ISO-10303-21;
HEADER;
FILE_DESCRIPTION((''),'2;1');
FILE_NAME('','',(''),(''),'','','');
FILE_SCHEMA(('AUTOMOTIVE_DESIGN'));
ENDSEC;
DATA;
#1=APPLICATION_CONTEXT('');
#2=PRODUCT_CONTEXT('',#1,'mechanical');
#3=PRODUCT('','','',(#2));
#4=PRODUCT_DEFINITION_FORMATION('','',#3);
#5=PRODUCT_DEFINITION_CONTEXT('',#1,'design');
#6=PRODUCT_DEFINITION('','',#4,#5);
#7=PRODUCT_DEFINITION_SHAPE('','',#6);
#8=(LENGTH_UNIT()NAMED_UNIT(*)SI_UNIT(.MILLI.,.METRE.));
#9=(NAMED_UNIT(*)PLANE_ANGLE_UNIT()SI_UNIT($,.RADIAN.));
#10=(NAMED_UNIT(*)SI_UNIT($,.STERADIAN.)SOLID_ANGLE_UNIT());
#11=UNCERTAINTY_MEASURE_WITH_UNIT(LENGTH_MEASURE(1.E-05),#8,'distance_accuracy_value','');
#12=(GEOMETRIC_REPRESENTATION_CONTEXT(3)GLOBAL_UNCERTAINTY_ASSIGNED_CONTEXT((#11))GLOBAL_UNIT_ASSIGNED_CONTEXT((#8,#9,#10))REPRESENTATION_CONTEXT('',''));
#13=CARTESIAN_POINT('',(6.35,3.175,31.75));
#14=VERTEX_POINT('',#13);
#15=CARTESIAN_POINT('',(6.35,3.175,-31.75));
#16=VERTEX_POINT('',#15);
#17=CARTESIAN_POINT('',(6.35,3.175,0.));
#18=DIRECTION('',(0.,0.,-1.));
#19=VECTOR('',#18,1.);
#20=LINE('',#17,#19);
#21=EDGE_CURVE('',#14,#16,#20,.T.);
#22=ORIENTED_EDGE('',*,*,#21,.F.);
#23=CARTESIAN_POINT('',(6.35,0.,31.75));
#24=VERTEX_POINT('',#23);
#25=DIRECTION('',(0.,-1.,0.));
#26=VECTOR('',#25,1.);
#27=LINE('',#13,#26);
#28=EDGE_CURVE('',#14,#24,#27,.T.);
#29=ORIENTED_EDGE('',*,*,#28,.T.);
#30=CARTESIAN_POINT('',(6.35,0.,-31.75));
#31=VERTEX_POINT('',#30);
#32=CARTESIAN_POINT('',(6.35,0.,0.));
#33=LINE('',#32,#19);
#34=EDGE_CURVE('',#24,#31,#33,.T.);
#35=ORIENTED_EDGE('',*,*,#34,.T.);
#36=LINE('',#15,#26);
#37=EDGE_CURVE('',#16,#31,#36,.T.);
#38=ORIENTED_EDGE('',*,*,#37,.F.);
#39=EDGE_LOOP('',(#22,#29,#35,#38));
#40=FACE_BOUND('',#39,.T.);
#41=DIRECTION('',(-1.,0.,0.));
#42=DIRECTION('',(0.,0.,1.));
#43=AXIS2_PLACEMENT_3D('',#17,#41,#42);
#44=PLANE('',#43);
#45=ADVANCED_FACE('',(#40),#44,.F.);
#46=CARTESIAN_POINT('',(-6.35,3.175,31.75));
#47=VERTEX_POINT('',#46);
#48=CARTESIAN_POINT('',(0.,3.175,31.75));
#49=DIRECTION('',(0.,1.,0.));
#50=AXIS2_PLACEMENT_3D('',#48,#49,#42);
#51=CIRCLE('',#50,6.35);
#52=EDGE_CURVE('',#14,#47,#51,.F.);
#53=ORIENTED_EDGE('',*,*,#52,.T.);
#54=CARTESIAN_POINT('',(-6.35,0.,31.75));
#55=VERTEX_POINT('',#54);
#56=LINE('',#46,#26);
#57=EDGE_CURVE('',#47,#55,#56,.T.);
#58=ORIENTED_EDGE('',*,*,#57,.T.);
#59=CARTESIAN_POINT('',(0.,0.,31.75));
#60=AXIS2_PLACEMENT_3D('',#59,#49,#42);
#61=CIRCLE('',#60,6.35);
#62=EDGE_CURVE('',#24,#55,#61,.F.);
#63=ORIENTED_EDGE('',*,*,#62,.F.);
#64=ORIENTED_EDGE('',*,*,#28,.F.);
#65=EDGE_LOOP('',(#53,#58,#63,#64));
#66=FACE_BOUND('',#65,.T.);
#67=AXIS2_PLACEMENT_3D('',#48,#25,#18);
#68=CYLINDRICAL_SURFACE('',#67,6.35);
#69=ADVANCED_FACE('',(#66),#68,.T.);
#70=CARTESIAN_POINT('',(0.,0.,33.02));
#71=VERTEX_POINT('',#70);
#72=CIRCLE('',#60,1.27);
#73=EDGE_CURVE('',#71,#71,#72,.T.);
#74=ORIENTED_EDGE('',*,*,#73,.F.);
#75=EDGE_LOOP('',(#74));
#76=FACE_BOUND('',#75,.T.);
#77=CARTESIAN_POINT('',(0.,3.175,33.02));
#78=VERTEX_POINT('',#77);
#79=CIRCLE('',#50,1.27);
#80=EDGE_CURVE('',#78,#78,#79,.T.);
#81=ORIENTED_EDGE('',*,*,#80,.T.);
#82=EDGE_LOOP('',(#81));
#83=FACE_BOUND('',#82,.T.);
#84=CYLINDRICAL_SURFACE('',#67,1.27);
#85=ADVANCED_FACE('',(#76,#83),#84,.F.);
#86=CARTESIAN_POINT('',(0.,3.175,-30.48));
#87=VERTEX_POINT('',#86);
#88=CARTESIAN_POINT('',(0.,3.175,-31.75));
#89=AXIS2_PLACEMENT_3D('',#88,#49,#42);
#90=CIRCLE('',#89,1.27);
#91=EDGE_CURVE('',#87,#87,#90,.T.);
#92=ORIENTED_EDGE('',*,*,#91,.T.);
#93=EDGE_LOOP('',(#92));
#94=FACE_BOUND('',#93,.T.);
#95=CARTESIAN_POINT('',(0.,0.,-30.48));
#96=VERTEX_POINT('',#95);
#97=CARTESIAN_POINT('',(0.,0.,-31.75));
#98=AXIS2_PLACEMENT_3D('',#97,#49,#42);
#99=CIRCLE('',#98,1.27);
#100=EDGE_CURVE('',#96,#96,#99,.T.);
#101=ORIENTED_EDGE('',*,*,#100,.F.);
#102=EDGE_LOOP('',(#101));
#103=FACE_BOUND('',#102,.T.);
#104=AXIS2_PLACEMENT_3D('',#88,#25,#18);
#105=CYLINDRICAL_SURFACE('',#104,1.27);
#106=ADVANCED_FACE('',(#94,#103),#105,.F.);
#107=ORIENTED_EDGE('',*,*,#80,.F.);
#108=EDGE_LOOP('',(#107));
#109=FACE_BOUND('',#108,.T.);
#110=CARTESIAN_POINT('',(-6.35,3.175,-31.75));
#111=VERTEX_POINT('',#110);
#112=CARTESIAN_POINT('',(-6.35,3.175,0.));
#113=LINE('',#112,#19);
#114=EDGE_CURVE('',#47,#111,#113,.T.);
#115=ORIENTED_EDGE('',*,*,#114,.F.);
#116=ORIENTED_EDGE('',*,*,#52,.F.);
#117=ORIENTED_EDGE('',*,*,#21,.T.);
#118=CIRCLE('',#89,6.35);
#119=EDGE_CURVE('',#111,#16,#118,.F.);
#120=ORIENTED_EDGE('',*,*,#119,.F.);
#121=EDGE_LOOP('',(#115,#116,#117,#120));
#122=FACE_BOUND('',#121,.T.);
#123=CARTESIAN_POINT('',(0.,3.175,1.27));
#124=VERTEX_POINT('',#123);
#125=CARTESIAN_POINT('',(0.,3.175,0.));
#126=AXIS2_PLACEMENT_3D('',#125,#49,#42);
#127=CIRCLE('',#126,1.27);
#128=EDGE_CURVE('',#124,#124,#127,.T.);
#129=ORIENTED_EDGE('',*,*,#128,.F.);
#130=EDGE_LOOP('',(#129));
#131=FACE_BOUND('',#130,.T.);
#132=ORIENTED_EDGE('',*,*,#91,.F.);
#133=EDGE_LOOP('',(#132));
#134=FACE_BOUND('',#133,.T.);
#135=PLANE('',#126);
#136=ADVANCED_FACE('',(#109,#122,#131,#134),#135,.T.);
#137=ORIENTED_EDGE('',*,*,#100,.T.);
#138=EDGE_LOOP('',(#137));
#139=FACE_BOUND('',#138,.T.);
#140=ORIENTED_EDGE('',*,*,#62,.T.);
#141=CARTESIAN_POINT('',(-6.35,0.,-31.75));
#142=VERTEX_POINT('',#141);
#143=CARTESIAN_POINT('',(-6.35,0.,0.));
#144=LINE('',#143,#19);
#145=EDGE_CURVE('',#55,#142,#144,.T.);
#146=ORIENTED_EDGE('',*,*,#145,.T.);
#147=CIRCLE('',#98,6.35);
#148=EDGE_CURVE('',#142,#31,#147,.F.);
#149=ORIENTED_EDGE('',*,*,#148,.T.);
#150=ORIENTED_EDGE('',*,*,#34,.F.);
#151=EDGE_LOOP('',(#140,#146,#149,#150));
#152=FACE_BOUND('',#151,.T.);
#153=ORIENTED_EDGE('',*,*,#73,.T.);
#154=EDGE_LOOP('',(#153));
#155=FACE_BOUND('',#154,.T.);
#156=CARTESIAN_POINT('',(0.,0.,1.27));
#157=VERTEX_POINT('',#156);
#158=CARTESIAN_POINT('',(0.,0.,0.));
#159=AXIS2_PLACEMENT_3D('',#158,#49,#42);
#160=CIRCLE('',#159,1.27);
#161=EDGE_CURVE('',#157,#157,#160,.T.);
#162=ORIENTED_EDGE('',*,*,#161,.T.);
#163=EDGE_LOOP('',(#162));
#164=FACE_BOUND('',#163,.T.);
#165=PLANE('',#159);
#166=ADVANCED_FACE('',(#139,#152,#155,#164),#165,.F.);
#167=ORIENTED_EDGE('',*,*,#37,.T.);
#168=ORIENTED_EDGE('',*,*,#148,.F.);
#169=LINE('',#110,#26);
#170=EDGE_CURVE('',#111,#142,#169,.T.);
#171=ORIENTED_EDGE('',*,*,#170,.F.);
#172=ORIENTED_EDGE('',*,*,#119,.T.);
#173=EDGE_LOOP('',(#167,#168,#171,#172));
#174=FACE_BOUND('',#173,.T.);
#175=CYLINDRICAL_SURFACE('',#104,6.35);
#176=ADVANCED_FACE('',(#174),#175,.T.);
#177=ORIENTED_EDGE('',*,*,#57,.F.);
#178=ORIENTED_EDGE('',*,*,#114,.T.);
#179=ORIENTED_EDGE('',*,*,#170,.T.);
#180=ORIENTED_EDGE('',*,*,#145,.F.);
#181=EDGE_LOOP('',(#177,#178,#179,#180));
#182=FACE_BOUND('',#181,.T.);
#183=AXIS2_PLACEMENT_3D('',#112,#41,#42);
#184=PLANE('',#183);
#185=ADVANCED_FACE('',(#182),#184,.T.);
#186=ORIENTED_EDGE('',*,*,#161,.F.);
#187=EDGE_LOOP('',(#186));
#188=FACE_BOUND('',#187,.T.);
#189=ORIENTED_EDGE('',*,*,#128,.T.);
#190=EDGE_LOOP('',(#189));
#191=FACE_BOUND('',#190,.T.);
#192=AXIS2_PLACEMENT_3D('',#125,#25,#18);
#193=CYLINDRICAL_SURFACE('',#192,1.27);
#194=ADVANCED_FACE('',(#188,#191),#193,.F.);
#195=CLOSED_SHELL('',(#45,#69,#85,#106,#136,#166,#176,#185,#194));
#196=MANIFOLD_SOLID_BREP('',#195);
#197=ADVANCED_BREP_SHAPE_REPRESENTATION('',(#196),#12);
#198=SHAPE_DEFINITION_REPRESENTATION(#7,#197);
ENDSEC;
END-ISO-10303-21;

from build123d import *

# Parameters (mm, degrees)
SKETCH2_R           = 1.27
BOSS_EXTRUDE1_DEPTH = 3.175


with BuildPart() as part:
    # Sketch2 → Boss-Extrude1 (new body)
    with BuildSketch(Plane(origin=(0, 0, 0), x_dir=(1, 0, 0), z_dir=(0, 1, 0))):
        with BuildLine():
            Line((-6.35, -31.75), (-6.35, 31.75))
            ThreePointArc((-6.35, 31.75), (0, 38.1), (6.35, 31.75))
            Line((6.35, 31.75), (6.35, -31.75))
            ThreePointArc((6.35, -31.75), (0, -38.1), (-6.35, -31.75))
        make_face()
        with Locations((0, 31.75)):
            Circle(SKETCH2_R, mode=Mode.SUBTRACT)
        with Locations((0, -31.75)):
            Circle(SKETCH2_R, mode=Mode.SUBTRACT)
        Circle(SKETCH2_R, mode=Mode.SUBTRACT)
    extrude(amount=BOSS_EXTRUDE1_DEPTH)


solid = part.part
